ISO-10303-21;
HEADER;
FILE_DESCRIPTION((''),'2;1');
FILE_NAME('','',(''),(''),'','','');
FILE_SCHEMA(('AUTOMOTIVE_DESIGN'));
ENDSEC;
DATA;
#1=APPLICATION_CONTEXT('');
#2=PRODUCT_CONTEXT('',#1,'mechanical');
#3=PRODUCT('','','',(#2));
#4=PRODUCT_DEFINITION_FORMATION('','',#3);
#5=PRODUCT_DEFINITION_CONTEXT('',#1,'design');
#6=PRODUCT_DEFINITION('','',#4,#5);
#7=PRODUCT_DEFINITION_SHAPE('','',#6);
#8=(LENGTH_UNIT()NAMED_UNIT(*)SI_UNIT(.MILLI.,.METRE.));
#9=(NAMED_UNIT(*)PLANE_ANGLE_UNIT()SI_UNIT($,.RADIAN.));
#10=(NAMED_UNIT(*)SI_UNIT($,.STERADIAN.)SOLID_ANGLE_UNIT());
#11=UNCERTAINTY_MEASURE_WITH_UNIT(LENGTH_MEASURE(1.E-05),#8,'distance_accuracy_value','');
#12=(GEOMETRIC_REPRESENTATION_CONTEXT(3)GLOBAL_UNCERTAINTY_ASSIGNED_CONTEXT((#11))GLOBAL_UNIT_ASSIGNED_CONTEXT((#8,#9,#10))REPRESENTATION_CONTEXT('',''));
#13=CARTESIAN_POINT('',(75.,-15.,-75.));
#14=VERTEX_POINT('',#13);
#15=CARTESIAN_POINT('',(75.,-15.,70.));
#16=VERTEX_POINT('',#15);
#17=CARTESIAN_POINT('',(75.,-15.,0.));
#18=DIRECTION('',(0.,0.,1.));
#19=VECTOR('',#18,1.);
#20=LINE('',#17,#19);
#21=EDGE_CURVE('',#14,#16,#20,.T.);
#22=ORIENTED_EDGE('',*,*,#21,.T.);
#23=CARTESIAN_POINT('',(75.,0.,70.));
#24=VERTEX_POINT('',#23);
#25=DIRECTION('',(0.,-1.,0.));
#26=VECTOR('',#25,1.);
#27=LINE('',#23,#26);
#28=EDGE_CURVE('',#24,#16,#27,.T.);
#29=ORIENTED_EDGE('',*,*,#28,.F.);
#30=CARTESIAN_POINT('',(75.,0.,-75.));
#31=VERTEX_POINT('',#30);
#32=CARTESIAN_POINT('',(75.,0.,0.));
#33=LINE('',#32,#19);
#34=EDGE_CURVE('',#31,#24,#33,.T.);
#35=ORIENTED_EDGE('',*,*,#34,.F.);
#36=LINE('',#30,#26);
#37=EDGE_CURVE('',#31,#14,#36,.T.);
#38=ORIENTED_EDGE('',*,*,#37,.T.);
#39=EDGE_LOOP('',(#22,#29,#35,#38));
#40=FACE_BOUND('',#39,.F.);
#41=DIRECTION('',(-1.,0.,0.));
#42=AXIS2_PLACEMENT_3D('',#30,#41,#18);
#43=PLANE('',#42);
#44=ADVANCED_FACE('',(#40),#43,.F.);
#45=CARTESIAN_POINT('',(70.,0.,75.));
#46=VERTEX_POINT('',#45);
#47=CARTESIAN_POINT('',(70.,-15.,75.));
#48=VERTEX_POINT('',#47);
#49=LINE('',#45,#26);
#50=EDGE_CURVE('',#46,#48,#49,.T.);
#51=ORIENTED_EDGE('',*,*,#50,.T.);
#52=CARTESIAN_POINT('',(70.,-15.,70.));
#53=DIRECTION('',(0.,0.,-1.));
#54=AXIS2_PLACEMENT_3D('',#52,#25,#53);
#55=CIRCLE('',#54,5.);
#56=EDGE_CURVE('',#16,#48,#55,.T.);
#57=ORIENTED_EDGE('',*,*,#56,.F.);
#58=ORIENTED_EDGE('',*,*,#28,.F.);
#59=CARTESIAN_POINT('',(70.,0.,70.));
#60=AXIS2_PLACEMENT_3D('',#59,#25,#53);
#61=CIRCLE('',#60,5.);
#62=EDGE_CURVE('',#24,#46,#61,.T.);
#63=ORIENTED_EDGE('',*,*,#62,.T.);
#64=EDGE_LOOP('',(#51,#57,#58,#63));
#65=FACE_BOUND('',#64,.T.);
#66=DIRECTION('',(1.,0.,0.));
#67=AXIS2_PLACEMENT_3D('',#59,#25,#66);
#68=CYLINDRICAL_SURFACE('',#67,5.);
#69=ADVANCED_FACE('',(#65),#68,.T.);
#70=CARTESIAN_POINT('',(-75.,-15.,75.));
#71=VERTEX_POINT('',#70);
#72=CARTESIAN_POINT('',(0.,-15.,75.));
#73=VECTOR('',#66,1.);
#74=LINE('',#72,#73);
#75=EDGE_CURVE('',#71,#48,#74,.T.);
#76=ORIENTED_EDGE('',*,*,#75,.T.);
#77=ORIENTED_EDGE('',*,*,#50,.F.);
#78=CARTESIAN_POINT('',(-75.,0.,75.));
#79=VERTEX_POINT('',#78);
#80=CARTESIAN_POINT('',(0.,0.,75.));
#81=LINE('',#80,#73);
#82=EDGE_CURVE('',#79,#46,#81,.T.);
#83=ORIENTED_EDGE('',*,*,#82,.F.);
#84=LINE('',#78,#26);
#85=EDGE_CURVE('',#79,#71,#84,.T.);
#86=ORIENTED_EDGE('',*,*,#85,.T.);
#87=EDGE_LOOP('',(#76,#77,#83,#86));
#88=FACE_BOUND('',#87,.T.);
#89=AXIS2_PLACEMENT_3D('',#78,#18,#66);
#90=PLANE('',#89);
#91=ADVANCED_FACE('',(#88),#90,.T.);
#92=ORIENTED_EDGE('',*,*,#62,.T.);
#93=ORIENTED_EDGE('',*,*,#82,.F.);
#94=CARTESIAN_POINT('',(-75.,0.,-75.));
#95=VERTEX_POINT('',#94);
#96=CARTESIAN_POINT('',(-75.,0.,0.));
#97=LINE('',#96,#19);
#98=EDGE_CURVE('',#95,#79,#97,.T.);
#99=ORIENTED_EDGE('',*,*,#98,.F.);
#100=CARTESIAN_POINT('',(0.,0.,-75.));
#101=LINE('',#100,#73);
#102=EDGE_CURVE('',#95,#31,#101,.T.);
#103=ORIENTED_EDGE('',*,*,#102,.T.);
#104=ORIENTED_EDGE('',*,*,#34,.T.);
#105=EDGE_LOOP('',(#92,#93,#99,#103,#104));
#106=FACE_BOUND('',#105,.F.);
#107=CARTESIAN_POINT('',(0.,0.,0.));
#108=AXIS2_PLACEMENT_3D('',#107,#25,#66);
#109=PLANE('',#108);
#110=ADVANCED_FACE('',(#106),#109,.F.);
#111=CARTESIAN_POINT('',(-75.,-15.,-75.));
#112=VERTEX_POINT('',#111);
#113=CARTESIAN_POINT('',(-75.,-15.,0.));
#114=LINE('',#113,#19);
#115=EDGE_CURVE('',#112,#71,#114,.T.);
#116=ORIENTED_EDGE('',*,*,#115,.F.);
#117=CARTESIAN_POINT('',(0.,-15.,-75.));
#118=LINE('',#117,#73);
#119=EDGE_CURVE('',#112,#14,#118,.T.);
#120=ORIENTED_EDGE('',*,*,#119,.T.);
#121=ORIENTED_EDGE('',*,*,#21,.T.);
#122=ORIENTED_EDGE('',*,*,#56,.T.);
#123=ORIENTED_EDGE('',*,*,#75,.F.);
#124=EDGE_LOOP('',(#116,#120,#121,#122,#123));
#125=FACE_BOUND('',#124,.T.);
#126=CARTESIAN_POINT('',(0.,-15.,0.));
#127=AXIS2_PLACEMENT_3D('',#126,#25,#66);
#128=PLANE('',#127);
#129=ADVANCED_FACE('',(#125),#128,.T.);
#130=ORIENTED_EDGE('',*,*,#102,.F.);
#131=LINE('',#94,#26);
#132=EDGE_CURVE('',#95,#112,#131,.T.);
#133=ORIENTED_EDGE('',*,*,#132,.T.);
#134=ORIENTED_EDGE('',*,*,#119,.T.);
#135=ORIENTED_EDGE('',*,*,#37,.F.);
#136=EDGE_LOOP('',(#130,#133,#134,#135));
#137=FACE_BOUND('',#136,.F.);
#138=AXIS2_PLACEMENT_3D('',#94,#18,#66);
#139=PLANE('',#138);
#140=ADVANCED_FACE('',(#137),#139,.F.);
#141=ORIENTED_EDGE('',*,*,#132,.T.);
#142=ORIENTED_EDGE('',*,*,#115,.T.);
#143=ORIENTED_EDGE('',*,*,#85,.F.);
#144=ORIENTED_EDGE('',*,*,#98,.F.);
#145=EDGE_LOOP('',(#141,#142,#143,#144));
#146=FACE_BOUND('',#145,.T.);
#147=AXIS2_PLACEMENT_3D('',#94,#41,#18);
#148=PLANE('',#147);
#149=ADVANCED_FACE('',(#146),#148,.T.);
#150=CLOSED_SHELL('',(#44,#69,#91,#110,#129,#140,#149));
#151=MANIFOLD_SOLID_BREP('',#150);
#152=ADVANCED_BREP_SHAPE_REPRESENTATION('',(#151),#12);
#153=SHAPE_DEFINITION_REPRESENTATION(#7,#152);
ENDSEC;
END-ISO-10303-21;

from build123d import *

# Parameters (mm, degrees)
F0_W     = 150
F0_H     = 150
F1_DEPTH = 15
F2_R     = 5


with BuildPart() as f1:
    # F0 (on Front) → F1 (new body)
    with BuildSketch(Plane.XZ):
        Rectangle(F0_W, F0_H)
    extrude(amount=F1_DEPTH)

    # F2
    f2_edges = [f1.edges().sort_by_distance(p)[0] for p in [
        (75, -7.5, 75),
    ]]
    fillet(f2_edges, radius=F2_R)


solid = f1.part
